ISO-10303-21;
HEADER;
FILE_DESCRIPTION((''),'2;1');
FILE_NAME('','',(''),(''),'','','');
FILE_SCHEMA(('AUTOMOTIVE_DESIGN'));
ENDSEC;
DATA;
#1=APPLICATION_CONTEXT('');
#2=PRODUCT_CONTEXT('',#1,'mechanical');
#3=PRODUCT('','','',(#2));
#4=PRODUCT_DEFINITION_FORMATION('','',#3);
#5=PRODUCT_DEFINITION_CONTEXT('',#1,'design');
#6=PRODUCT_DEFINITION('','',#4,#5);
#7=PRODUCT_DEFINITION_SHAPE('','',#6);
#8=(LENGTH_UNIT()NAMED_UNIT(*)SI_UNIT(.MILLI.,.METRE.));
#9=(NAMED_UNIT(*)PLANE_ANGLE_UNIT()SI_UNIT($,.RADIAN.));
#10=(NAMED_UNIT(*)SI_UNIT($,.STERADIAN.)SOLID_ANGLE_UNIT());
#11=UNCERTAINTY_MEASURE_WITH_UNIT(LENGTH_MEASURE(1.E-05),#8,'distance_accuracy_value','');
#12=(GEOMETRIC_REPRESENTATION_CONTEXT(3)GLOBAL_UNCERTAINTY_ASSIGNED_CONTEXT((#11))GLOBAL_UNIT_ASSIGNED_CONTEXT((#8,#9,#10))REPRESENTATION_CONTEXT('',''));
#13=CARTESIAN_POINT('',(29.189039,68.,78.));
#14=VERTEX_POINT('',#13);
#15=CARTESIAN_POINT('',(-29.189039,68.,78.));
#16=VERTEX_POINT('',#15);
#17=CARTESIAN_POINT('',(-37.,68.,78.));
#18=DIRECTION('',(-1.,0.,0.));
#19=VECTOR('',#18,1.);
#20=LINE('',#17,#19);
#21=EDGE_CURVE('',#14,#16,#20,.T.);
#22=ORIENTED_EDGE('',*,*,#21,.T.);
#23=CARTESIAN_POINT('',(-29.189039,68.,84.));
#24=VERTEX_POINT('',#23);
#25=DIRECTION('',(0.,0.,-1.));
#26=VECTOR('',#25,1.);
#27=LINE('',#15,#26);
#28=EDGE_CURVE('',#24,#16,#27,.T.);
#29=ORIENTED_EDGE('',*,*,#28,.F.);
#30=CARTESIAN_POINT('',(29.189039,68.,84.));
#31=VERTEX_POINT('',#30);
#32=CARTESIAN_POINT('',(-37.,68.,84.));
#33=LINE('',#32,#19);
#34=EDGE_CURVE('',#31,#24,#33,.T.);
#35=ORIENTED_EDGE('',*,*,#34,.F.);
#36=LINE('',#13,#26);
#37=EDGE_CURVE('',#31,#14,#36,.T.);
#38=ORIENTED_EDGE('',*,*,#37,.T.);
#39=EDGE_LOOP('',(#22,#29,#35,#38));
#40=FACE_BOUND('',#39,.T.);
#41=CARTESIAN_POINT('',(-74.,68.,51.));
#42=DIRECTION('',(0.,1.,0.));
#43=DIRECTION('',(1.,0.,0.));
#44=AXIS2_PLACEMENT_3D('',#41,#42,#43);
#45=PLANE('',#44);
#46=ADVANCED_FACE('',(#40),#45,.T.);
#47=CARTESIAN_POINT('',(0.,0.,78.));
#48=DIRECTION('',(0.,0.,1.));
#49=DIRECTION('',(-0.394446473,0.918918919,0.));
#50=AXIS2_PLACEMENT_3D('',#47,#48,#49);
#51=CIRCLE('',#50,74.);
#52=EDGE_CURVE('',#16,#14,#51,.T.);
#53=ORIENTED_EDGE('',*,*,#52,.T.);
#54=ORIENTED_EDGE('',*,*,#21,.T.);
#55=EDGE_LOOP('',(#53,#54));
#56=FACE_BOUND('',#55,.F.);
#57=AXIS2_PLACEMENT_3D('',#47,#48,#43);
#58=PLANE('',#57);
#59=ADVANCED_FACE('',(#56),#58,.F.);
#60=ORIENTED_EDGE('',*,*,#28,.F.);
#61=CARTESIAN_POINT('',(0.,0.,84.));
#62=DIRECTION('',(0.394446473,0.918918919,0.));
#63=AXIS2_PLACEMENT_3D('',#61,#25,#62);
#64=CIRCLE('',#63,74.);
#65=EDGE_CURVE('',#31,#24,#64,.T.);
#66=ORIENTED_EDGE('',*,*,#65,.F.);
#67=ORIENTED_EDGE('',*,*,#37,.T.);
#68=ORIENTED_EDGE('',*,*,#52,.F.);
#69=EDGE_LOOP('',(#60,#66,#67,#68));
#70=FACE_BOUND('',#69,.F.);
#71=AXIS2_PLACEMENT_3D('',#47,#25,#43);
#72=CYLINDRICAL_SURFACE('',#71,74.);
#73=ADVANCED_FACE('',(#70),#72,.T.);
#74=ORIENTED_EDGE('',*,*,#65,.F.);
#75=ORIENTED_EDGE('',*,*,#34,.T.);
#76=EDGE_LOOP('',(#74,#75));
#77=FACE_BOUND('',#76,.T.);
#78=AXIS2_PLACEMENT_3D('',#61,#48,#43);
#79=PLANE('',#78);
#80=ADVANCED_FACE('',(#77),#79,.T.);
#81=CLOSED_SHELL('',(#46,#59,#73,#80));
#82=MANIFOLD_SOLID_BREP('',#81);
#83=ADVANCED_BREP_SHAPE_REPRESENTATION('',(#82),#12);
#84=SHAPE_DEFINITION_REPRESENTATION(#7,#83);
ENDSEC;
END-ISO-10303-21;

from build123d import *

# Parameters (mm, degrees)
BOX818_W           = 148
BOX818_H           = 20
BOX818_DEPTH       = 34
CYLINDER1864_R     = 74
CYLINDER1864_DEPTH = 6


with BuildPart() as krychle818:
    # Box818 → Box818 (new body)
    with BuildSketch(Plane(origin=(-74, 68, 38), x_dir=(1, 0, 0), z_dir=(0, 0, 1))):
        with Locations((74, 10)):
            Rectangle(BOX818_W, BOX818_H)
    extrude(amount=BOX818_DEPTH)


with BuildPart() as cut603:
    # Cylinder1864 → Cylinder1864 (new body)
    with BuildSketch(Plane.XY.offset(65)):
        Circle(CYLINDER1864_R)
    extrude(amount=CYLINDER1864_DEPTH)

    # Cut603: cut Krychle818
    add(krychle818.part, mode=Mode.SUBTRACT)


with BuildPart() as cut603_1:
    # Cut603 placement: moved
    add(cut603.part.moved(Location((0, 0, 13))))


solid = cut603_1.part
